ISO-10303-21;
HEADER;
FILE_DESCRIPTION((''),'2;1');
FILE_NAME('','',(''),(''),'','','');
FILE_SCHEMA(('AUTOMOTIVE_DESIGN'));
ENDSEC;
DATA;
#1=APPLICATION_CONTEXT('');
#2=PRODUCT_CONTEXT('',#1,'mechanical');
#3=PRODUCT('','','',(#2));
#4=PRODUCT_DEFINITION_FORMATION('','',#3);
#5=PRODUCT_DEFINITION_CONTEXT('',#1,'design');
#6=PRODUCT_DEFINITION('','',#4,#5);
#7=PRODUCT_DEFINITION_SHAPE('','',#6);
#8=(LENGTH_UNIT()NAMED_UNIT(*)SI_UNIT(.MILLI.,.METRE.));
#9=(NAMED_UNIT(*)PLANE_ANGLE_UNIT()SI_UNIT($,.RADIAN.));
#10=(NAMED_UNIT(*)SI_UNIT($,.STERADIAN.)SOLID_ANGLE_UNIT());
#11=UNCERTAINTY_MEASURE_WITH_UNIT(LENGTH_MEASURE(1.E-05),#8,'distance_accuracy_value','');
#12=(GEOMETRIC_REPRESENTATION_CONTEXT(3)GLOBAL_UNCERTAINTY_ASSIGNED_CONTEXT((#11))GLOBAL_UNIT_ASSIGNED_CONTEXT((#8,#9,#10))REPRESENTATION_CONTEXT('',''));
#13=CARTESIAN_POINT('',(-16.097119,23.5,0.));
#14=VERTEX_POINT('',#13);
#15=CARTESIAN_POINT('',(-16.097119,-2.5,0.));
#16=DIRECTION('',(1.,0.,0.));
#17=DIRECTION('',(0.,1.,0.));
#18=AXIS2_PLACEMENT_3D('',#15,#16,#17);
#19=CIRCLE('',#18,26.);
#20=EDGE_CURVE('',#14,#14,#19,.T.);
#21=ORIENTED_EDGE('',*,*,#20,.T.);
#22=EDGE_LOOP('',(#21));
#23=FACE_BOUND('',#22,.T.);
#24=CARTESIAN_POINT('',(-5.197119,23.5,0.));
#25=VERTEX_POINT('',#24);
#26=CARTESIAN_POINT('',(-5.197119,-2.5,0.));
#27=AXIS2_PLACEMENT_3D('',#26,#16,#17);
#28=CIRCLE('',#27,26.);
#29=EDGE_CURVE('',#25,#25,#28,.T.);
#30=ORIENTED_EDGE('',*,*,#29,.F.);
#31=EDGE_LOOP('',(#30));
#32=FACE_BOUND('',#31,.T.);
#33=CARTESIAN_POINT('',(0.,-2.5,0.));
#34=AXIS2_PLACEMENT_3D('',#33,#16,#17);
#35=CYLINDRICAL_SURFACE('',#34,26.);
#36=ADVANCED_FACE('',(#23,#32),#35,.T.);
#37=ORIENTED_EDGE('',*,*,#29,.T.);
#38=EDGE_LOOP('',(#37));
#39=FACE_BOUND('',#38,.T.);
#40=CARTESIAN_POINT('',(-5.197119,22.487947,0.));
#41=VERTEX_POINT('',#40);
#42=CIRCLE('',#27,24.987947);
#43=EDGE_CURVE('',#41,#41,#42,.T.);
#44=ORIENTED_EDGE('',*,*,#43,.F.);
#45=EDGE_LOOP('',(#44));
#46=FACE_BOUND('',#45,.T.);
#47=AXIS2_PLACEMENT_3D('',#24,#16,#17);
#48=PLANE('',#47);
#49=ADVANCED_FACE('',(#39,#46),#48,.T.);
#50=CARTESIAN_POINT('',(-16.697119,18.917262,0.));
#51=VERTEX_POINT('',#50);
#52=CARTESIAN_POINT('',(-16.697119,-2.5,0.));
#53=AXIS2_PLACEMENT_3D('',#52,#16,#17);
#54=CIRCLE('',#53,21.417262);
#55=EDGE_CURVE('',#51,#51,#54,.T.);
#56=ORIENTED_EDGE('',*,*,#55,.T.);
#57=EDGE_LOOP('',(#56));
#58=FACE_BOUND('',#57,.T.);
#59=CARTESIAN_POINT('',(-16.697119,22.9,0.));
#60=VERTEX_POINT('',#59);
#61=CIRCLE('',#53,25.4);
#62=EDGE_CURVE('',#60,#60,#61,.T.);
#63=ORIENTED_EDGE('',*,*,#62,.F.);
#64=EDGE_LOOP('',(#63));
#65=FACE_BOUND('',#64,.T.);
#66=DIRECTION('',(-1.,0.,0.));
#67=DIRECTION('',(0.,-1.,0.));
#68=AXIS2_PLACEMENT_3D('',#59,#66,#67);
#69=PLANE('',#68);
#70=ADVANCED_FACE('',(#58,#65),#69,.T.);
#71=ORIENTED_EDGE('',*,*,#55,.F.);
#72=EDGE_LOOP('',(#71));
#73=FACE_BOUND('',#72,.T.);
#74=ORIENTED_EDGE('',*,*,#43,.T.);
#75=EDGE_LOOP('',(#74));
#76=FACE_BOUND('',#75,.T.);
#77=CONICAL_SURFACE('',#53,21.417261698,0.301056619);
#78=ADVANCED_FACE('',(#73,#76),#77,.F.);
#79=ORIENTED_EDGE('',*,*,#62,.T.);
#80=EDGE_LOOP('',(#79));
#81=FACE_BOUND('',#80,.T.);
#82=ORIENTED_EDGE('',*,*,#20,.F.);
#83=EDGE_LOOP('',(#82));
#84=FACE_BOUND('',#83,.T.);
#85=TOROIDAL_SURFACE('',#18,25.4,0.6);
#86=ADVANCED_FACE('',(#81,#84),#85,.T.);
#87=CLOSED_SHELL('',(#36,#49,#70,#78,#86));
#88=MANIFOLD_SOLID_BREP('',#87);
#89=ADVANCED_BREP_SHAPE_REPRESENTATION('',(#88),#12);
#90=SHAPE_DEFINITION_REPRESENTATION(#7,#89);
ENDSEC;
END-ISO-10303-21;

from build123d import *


with BuildPart() as part:
    # Esquisse1 → Base-Révolution (revolve)
    with BuildSketch(Plane.XY):
        with BuildLine():
            Line((-16.697119409, 22.9), (-16.697119409, 18.917261698))
            Line((-16.697119409, 18.917261698), (-5.197119409, 22.48794677))
            Line((-5.197119409, 22.48794677), (-5.197119409, 23.5))
            Line((-5.197119409, 23.5), (-16.097119409, 23.5))
            ThreePointArc((-16.097119409, 23.5), (-16.521383477, 23.324264069), (-16.697119409, 22.9))
        make_face()
    revolve(axis=Axis((0, -2.5, 0), (-1, 0, 0)))


solid = part.part
